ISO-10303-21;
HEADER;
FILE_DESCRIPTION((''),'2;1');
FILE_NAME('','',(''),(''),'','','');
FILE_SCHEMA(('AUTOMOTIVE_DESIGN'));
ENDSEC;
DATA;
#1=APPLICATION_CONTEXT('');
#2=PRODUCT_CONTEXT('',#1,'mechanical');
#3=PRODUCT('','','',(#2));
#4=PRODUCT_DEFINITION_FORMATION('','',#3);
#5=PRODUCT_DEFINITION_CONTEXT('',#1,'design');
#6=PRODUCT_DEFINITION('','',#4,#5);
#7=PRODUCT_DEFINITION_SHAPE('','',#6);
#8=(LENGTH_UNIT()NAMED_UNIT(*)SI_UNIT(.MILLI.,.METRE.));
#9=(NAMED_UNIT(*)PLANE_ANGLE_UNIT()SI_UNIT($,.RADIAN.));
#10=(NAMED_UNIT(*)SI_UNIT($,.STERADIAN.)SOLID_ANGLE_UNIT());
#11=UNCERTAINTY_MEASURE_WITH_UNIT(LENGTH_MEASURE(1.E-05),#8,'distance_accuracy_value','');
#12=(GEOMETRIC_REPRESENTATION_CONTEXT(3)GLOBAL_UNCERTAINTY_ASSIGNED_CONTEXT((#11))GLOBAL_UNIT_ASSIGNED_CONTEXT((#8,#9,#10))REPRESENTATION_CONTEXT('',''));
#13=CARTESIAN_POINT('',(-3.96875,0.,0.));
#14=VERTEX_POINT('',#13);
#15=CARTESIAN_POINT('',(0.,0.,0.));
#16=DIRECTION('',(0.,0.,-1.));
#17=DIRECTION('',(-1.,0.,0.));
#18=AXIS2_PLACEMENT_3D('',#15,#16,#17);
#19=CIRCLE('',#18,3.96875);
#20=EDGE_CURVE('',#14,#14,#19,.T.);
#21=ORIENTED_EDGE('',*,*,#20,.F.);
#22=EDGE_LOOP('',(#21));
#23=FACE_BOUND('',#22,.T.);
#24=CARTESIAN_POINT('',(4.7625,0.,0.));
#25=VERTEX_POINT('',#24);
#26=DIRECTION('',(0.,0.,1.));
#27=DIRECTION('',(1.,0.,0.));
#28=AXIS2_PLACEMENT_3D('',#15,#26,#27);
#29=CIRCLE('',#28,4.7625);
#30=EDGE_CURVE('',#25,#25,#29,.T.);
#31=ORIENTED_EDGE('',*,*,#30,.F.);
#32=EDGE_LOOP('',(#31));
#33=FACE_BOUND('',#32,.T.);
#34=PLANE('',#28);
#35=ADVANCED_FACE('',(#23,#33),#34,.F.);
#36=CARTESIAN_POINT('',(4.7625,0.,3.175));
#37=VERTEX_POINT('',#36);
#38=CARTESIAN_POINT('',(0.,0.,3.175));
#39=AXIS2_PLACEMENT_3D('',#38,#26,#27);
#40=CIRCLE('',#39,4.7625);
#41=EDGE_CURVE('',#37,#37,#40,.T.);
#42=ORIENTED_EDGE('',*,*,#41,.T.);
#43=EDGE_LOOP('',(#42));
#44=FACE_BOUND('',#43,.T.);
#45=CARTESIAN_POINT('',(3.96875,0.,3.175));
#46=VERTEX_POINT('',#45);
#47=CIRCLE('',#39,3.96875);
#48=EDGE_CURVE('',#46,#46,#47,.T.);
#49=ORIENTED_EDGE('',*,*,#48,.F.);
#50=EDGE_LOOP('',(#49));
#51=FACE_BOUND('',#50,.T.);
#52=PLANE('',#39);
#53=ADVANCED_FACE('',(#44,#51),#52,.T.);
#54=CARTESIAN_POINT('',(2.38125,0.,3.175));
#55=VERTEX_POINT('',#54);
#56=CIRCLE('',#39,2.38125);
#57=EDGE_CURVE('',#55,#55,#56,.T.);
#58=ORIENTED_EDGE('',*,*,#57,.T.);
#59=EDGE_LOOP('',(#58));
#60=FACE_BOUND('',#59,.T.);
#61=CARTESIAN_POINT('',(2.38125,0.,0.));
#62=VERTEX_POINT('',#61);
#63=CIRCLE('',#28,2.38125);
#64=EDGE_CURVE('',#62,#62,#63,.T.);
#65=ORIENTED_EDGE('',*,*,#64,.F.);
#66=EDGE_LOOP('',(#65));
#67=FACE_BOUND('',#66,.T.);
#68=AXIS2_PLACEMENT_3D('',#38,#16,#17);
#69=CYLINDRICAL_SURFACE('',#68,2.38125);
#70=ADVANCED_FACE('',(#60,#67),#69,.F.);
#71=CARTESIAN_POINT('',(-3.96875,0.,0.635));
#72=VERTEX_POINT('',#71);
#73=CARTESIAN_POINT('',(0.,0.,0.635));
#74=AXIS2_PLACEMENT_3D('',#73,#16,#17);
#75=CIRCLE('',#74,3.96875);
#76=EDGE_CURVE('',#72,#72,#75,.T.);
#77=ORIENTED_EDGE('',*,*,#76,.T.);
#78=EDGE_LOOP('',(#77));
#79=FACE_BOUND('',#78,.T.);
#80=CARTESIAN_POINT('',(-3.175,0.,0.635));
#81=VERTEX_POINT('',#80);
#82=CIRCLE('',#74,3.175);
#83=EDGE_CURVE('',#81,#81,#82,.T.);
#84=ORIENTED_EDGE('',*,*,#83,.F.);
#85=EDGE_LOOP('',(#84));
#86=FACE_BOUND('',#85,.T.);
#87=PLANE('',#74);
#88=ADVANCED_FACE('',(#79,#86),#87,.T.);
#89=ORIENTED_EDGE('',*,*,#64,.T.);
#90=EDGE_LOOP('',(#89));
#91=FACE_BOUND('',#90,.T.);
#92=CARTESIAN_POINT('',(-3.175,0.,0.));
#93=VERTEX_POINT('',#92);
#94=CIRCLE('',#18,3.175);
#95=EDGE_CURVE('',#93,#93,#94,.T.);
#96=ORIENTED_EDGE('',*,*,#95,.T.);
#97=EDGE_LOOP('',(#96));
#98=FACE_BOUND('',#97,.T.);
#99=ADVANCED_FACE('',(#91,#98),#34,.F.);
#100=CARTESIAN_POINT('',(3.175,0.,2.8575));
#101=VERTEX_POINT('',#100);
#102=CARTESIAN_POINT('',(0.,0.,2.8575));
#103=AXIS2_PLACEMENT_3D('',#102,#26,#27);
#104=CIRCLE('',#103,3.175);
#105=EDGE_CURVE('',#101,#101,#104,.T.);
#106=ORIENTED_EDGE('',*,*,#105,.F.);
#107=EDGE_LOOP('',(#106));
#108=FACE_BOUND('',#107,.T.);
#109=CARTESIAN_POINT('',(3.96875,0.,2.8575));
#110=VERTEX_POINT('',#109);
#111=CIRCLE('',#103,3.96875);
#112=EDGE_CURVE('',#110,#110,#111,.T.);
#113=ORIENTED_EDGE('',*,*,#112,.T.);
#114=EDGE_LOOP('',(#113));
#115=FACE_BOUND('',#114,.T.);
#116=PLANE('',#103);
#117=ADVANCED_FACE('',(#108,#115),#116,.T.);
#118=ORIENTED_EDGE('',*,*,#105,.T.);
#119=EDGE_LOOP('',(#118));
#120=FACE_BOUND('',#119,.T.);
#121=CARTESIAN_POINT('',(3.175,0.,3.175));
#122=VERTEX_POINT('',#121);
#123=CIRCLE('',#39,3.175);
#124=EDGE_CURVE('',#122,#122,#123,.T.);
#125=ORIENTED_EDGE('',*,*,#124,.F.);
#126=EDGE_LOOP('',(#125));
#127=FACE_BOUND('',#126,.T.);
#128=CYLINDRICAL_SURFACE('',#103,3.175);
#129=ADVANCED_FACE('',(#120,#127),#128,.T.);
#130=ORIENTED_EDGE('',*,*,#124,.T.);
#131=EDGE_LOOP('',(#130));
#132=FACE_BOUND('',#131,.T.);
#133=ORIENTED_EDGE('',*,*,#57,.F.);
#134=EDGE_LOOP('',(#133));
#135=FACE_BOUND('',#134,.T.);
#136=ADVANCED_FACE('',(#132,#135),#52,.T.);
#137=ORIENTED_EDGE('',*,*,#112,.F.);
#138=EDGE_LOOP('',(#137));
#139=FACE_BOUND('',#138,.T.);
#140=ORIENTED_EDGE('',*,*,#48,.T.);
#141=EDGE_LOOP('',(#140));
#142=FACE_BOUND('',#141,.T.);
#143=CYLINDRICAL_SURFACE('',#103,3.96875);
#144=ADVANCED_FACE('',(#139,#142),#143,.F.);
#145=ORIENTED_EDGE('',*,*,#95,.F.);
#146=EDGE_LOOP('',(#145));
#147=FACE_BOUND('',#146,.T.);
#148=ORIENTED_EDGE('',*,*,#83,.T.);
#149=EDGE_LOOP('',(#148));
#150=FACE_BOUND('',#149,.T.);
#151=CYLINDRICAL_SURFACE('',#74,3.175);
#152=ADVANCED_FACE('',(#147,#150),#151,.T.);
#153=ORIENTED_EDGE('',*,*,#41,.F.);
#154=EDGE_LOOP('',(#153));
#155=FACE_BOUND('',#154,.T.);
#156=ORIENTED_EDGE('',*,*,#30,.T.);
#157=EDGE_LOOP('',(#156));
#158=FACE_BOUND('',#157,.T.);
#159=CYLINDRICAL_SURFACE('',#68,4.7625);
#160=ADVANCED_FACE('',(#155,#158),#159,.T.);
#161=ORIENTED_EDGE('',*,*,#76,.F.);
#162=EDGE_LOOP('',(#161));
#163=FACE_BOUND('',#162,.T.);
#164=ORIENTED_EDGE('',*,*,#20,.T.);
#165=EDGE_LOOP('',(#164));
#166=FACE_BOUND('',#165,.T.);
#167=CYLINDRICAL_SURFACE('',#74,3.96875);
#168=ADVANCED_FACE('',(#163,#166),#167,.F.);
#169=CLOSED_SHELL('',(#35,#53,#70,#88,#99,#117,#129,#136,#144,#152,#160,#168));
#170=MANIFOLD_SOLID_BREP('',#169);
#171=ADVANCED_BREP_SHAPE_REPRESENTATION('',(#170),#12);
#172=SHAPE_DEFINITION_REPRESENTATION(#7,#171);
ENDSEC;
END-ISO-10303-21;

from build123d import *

# Parameters (mm, degrees)
SKETCH2_R           = 4.7625
SKETCH2_R_2         = 2.38125
BOSS_EXTRUDE1_DEPTH = 3.175
SKETCH3_R           = 3.96875
SKETCH3_R_2         = 3.175
CUT_EXTRUDE1_DEPTH  = 0.3175
CUT_EXTRUDE2_START  = -0.635
SKETCH4_R           = 3.96875
SKETCH4_R_2         = 3.175
CUT_EXTRUDE2_DEPTH  = 0.635


with BuildPart() as part:
    # Sketch2 → Boss-Extrude1 (new body)
    with BuildSketch(Plane.XY):
        Circle(SKETCH2_R)
        Circle(SKETCH2_R_2, mode=Mode.SUBTRACT)
    extrude(amount=BOSS_EXTRUDE1_DEPTH)

    # Sketch3 → Cut-Extrude1 (cut)
    with BuildSketch(Plane.XY.offset(3.175)):
        Circle(SKETCH3_R)
        Circle(SKETCH3_R_2, mode=Mode.SUBTRACT)
    extrude(amount=-CUT_EXTRUDE1_DEPTH, mode=Mode.SUBTRACT)

    # Sketch4 → Cut-Extrude2 (cut)
    with BuildSketch(Plane(origin=(0, 0, 0), x_dir=(-1, 0, 0), z_dir=(0, 0, -1)).offset(CUT_EXTRUDE2_START)):
        with Locations(Location((0, 0, 0), (0, 0, 180))):
            Circle(SKETCH4_R)
        with Locations(Location((0, 0, 0), (0, 0, 180))):
            Circle(SKETCH4_R_2, mode=Mode.SUBTRACT)
    extrude(amount=CUT_EXTRUDE2_DEPTH, mode=Mode.SUBTRACT)


solid = part.part
